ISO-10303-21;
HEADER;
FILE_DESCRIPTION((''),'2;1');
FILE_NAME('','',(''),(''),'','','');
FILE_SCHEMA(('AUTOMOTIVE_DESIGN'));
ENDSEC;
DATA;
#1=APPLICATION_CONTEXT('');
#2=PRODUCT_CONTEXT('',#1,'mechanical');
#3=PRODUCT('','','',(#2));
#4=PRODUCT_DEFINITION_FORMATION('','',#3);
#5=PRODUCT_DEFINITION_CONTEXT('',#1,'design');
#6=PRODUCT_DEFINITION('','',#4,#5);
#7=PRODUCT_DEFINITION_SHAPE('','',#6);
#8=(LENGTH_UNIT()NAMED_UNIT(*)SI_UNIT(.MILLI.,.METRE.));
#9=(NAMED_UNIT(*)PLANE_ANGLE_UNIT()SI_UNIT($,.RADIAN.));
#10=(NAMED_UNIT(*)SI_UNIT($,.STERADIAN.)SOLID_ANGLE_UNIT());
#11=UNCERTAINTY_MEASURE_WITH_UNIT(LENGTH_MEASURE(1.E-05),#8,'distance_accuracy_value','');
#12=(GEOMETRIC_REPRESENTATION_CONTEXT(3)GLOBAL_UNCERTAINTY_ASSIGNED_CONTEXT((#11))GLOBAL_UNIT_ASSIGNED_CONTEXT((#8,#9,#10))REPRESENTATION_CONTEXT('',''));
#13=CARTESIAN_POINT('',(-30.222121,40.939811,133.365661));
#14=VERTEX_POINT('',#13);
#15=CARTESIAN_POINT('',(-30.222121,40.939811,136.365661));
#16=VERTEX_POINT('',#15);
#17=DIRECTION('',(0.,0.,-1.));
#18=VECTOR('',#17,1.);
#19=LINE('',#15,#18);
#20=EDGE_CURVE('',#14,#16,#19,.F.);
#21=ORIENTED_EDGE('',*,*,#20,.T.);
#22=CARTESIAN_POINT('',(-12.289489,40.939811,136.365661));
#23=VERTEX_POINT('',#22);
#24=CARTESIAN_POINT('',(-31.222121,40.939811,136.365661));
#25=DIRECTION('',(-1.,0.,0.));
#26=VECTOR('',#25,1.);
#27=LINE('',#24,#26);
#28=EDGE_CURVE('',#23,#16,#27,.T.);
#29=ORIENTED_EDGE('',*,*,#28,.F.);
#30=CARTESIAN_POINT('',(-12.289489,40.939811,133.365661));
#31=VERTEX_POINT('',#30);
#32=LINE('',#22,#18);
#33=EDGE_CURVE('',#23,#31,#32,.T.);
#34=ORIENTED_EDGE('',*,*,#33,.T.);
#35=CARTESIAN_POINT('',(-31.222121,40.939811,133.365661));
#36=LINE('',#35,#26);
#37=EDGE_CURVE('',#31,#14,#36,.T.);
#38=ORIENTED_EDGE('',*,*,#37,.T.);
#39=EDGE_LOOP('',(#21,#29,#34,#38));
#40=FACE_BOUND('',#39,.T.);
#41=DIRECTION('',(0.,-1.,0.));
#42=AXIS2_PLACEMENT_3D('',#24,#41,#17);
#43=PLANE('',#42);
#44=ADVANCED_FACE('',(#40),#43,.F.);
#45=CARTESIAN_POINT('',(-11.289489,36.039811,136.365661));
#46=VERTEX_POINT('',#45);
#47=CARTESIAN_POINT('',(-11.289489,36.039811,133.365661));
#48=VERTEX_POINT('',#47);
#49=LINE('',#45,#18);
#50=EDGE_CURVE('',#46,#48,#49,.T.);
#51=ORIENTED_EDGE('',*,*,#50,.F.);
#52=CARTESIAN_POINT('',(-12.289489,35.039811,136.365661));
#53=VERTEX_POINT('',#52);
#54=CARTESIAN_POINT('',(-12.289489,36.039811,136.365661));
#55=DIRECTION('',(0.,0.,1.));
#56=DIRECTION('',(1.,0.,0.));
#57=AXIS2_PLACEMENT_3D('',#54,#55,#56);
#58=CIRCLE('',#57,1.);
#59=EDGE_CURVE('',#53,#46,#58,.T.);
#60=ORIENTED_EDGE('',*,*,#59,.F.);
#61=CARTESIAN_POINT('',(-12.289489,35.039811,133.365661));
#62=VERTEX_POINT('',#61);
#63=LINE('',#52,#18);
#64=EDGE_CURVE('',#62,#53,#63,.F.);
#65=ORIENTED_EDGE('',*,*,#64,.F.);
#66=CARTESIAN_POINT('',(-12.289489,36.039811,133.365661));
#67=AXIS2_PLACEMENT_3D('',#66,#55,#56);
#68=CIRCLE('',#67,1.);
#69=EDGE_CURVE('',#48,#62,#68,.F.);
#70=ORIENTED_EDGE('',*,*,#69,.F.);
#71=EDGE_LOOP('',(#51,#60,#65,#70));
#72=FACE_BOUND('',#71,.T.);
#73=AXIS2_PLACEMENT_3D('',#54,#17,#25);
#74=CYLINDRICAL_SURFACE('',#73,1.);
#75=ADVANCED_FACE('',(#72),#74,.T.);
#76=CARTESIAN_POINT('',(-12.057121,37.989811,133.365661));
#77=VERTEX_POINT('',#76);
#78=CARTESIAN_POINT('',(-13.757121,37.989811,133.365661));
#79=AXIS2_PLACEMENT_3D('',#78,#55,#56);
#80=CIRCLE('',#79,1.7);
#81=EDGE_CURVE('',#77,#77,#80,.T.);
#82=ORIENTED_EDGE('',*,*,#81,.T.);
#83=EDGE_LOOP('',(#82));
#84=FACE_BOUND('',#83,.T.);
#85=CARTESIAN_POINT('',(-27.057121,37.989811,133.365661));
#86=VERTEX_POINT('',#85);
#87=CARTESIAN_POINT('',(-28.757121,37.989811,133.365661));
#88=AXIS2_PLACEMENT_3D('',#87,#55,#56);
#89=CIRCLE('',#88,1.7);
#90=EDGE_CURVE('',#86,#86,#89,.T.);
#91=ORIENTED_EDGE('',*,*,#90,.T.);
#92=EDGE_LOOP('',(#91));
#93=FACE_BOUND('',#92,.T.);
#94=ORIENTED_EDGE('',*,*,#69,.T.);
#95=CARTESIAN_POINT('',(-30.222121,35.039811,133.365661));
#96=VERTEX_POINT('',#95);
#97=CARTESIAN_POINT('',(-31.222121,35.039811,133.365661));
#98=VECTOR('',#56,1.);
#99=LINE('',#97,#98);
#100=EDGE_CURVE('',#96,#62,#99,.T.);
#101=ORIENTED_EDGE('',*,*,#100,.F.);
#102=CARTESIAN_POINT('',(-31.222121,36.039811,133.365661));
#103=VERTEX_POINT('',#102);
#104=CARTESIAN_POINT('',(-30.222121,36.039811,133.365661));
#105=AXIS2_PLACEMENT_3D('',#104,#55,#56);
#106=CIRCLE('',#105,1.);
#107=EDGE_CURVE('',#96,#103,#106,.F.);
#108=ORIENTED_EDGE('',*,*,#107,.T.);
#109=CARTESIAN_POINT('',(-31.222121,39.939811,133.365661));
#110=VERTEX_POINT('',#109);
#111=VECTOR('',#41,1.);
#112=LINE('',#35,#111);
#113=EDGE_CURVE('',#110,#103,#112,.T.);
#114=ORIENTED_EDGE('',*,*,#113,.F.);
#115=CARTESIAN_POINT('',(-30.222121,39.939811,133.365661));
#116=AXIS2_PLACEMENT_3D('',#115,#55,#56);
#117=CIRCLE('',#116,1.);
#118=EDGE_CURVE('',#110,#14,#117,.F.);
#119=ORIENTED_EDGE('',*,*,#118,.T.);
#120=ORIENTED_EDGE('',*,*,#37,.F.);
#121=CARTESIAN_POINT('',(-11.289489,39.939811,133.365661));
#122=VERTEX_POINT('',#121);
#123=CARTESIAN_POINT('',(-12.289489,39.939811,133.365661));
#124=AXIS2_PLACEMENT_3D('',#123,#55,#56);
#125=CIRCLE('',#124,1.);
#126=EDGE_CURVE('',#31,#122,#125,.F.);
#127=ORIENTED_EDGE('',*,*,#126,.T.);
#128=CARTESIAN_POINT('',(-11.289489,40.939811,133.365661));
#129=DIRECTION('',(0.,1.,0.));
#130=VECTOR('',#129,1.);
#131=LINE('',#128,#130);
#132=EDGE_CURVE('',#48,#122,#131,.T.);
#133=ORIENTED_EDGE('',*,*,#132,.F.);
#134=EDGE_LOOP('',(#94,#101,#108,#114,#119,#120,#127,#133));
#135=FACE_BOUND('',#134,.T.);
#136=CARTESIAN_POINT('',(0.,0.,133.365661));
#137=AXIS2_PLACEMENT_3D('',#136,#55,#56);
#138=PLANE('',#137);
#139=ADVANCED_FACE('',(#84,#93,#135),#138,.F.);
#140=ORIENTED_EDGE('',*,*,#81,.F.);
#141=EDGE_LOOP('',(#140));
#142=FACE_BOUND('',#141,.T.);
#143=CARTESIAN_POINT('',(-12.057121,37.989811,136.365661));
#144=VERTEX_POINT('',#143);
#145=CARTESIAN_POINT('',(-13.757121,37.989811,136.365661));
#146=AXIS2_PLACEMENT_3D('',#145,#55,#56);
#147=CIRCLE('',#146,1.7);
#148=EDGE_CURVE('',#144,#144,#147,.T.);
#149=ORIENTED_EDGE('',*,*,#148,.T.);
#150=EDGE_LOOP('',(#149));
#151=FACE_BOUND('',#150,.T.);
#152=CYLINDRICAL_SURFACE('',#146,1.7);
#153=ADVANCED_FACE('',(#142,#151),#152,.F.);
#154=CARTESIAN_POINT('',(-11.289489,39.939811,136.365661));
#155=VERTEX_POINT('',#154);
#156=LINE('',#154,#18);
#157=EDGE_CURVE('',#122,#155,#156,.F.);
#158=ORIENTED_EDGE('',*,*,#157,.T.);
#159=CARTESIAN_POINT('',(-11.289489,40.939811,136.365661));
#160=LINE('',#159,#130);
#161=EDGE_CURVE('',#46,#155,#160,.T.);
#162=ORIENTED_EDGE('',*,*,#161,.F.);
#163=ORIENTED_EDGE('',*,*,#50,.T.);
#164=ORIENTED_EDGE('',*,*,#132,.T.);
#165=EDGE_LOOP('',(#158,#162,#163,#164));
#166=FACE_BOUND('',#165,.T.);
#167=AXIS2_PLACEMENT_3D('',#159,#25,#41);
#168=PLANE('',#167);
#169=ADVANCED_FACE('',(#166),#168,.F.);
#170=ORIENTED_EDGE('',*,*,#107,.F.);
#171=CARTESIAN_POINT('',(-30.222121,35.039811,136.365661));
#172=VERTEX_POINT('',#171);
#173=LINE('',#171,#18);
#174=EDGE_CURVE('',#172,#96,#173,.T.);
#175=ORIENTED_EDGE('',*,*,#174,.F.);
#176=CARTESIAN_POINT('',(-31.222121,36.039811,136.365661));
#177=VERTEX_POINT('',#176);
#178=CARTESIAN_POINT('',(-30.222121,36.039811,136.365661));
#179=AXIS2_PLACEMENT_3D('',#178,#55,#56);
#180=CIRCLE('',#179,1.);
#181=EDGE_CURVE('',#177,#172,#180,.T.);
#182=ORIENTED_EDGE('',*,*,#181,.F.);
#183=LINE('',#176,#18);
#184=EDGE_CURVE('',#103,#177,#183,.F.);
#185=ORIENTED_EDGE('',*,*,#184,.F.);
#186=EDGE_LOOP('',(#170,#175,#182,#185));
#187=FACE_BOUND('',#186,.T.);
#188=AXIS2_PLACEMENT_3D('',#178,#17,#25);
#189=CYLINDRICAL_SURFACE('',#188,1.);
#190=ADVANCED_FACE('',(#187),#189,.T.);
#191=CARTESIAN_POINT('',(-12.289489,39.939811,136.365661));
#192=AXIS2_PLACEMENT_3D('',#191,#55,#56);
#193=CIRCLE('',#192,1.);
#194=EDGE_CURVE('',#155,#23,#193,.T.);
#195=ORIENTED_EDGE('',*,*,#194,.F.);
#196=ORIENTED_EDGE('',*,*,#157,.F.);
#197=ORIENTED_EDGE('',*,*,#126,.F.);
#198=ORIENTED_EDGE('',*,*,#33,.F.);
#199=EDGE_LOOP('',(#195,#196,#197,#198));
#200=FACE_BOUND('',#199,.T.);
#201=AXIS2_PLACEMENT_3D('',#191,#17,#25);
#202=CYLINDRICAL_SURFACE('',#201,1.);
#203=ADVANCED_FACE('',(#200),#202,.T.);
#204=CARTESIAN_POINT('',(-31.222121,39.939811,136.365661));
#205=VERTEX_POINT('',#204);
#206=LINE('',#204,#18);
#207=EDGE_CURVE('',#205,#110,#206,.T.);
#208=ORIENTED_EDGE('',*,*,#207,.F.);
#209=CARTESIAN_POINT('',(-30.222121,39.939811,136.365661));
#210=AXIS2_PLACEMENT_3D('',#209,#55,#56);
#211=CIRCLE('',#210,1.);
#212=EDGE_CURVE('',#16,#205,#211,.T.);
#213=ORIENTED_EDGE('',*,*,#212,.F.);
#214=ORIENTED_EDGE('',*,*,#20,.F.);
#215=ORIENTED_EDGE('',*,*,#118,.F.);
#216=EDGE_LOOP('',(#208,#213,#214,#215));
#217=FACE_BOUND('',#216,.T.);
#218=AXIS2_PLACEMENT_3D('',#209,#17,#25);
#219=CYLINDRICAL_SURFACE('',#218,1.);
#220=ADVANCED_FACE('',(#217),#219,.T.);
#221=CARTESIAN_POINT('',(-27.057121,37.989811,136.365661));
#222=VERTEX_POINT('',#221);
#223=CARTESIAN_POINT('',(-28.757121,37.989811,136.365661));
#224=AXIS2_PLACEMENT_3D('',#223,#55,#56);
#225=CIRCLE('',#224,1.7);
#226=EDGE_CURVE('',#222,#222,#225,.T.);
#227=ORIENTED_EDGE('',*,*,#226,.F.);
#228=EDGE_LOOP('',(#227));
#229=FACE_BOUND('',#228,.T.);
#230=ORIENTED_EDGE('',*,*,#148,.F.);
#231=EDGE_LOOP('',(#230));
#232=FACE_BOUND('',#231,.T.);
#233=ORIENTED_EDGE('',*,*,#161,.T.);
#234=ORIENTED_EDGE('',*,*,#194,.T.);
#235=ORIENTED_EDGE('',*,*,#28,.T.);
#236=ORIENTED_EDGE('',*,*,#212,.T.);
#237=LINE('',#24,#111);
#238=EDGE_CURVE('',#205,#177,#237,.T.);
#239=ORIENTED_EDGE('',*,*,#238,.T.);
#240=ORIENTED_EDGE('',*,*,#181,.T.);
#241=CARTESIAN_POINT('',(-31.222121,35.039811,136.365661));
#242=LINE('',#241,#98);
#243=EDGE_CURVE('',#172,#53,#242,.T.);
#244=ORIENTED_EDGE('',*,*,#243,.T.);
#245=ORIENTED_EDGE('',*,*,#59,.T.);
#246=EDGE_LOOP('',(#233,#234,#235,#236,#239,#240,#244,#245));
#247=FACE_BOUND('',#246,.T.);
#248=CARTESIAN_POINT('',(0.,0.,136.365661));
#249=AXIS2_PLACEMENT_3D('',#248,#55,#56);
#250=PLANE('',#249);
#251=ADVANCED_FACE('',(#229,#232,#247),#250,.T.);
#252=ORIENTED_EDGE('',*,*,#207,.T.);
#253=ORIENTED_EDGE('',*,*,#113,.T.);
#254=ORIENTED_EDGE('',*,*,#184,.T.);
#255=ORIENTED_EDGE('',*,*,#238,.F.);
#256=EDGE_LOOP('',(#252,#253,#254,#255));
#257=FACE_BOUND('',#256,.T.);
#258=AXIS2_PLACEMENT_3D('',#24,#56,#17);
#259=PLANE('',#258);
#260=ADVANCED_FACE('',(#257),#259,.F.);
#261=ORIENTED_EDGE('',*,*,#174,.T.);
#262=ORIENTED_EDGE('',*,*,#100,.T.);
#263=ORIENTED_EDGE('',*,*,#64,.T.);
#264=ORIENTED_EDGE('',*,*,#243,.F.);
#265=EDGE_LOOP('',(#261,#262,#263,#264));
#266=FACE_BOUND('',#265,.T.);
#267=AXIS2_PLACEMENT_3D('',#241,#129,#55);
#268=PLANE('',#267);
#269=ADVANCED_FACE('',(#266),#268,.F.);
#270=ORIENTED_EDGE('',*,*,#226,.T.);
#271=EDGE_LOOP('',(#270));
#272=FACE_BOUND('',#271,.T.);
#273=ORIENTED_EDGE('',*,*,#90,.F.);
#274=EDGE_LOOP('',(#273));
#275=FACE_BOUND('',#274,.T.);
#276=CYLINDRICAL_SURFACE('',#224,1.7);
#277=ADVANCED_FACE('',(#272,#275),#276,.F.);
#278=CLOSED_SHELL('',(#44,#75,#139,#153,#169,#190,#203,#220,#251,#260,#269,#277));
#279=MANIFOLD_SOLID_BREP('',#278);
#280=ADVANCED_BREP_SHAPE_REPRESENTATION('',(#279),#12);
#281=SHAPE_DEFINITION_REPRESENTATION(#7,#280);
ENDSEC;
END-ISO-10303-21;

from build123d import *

# Parameters (mm, degrees)
SKETCH2_W                = 19.932631385
SKETCH2_H                = 5.9
BOSS_EXTRUDE1_DEPTH      = 3
FILLET1_R                = 1
M3_CLEARANCE_HOLE1_D     = 3.4
M3_CLEARANCE_HOLE1_DEPTH = 16.5
M3_CLEARANCE_HOLE1_TIP   = 1.021463052


with BuildPart() as part:
    # Sketch2 → Boss-Extrude1 (new body)
    with BuildSketch(Plane.XY.offset(133.365661293)):
        with Locations((-21.255805031, 37.989811256)):
            Rectangle(SKETCH2_W, SKETCH2_H)
    extrude(amount=BOSS_EXTRUDE1_DEPTH)

    # Fillet1
    fillet1_edges = [part.edges().sort_by_distance(p)[0] for p in [
        (-31.222120723, 40.939811256, 134.865661293),
        (-11.289489338, 40.939811256, 134.865661293),
        (-11.289489338, 35.039811256, 134.865661293),
        (-31.222120723, 35.039811256, 134.865661293),
    ]]
    fillet(fillet1_edges, radius=FILLET1_R)

    # M3 Clearance Hole1
    with Locations(Plane.XY.offset(136.365661293)):
        with Locations((-28.757120723, 37.989811256), (-13.757120723, 37.989811256)):
            Hole(M3_CLEARANCE_HOLE1_D / 2, depth=M3_CLEARANCE_HOLE1_DEPTH)
            with Locations((0, 0, -(M3_CLEARANCE_HOLE1_DEPTH + M3_CLEARANCE_HOLE1_TIP / 2))):  # 118° drill point
                Cone(0, M3_CLEARANCE_HOLE1_D / 2, M3_CLEARANCE_HOLE1_TIP, mode=Mode.SUBTRACT)


solid = part.part
